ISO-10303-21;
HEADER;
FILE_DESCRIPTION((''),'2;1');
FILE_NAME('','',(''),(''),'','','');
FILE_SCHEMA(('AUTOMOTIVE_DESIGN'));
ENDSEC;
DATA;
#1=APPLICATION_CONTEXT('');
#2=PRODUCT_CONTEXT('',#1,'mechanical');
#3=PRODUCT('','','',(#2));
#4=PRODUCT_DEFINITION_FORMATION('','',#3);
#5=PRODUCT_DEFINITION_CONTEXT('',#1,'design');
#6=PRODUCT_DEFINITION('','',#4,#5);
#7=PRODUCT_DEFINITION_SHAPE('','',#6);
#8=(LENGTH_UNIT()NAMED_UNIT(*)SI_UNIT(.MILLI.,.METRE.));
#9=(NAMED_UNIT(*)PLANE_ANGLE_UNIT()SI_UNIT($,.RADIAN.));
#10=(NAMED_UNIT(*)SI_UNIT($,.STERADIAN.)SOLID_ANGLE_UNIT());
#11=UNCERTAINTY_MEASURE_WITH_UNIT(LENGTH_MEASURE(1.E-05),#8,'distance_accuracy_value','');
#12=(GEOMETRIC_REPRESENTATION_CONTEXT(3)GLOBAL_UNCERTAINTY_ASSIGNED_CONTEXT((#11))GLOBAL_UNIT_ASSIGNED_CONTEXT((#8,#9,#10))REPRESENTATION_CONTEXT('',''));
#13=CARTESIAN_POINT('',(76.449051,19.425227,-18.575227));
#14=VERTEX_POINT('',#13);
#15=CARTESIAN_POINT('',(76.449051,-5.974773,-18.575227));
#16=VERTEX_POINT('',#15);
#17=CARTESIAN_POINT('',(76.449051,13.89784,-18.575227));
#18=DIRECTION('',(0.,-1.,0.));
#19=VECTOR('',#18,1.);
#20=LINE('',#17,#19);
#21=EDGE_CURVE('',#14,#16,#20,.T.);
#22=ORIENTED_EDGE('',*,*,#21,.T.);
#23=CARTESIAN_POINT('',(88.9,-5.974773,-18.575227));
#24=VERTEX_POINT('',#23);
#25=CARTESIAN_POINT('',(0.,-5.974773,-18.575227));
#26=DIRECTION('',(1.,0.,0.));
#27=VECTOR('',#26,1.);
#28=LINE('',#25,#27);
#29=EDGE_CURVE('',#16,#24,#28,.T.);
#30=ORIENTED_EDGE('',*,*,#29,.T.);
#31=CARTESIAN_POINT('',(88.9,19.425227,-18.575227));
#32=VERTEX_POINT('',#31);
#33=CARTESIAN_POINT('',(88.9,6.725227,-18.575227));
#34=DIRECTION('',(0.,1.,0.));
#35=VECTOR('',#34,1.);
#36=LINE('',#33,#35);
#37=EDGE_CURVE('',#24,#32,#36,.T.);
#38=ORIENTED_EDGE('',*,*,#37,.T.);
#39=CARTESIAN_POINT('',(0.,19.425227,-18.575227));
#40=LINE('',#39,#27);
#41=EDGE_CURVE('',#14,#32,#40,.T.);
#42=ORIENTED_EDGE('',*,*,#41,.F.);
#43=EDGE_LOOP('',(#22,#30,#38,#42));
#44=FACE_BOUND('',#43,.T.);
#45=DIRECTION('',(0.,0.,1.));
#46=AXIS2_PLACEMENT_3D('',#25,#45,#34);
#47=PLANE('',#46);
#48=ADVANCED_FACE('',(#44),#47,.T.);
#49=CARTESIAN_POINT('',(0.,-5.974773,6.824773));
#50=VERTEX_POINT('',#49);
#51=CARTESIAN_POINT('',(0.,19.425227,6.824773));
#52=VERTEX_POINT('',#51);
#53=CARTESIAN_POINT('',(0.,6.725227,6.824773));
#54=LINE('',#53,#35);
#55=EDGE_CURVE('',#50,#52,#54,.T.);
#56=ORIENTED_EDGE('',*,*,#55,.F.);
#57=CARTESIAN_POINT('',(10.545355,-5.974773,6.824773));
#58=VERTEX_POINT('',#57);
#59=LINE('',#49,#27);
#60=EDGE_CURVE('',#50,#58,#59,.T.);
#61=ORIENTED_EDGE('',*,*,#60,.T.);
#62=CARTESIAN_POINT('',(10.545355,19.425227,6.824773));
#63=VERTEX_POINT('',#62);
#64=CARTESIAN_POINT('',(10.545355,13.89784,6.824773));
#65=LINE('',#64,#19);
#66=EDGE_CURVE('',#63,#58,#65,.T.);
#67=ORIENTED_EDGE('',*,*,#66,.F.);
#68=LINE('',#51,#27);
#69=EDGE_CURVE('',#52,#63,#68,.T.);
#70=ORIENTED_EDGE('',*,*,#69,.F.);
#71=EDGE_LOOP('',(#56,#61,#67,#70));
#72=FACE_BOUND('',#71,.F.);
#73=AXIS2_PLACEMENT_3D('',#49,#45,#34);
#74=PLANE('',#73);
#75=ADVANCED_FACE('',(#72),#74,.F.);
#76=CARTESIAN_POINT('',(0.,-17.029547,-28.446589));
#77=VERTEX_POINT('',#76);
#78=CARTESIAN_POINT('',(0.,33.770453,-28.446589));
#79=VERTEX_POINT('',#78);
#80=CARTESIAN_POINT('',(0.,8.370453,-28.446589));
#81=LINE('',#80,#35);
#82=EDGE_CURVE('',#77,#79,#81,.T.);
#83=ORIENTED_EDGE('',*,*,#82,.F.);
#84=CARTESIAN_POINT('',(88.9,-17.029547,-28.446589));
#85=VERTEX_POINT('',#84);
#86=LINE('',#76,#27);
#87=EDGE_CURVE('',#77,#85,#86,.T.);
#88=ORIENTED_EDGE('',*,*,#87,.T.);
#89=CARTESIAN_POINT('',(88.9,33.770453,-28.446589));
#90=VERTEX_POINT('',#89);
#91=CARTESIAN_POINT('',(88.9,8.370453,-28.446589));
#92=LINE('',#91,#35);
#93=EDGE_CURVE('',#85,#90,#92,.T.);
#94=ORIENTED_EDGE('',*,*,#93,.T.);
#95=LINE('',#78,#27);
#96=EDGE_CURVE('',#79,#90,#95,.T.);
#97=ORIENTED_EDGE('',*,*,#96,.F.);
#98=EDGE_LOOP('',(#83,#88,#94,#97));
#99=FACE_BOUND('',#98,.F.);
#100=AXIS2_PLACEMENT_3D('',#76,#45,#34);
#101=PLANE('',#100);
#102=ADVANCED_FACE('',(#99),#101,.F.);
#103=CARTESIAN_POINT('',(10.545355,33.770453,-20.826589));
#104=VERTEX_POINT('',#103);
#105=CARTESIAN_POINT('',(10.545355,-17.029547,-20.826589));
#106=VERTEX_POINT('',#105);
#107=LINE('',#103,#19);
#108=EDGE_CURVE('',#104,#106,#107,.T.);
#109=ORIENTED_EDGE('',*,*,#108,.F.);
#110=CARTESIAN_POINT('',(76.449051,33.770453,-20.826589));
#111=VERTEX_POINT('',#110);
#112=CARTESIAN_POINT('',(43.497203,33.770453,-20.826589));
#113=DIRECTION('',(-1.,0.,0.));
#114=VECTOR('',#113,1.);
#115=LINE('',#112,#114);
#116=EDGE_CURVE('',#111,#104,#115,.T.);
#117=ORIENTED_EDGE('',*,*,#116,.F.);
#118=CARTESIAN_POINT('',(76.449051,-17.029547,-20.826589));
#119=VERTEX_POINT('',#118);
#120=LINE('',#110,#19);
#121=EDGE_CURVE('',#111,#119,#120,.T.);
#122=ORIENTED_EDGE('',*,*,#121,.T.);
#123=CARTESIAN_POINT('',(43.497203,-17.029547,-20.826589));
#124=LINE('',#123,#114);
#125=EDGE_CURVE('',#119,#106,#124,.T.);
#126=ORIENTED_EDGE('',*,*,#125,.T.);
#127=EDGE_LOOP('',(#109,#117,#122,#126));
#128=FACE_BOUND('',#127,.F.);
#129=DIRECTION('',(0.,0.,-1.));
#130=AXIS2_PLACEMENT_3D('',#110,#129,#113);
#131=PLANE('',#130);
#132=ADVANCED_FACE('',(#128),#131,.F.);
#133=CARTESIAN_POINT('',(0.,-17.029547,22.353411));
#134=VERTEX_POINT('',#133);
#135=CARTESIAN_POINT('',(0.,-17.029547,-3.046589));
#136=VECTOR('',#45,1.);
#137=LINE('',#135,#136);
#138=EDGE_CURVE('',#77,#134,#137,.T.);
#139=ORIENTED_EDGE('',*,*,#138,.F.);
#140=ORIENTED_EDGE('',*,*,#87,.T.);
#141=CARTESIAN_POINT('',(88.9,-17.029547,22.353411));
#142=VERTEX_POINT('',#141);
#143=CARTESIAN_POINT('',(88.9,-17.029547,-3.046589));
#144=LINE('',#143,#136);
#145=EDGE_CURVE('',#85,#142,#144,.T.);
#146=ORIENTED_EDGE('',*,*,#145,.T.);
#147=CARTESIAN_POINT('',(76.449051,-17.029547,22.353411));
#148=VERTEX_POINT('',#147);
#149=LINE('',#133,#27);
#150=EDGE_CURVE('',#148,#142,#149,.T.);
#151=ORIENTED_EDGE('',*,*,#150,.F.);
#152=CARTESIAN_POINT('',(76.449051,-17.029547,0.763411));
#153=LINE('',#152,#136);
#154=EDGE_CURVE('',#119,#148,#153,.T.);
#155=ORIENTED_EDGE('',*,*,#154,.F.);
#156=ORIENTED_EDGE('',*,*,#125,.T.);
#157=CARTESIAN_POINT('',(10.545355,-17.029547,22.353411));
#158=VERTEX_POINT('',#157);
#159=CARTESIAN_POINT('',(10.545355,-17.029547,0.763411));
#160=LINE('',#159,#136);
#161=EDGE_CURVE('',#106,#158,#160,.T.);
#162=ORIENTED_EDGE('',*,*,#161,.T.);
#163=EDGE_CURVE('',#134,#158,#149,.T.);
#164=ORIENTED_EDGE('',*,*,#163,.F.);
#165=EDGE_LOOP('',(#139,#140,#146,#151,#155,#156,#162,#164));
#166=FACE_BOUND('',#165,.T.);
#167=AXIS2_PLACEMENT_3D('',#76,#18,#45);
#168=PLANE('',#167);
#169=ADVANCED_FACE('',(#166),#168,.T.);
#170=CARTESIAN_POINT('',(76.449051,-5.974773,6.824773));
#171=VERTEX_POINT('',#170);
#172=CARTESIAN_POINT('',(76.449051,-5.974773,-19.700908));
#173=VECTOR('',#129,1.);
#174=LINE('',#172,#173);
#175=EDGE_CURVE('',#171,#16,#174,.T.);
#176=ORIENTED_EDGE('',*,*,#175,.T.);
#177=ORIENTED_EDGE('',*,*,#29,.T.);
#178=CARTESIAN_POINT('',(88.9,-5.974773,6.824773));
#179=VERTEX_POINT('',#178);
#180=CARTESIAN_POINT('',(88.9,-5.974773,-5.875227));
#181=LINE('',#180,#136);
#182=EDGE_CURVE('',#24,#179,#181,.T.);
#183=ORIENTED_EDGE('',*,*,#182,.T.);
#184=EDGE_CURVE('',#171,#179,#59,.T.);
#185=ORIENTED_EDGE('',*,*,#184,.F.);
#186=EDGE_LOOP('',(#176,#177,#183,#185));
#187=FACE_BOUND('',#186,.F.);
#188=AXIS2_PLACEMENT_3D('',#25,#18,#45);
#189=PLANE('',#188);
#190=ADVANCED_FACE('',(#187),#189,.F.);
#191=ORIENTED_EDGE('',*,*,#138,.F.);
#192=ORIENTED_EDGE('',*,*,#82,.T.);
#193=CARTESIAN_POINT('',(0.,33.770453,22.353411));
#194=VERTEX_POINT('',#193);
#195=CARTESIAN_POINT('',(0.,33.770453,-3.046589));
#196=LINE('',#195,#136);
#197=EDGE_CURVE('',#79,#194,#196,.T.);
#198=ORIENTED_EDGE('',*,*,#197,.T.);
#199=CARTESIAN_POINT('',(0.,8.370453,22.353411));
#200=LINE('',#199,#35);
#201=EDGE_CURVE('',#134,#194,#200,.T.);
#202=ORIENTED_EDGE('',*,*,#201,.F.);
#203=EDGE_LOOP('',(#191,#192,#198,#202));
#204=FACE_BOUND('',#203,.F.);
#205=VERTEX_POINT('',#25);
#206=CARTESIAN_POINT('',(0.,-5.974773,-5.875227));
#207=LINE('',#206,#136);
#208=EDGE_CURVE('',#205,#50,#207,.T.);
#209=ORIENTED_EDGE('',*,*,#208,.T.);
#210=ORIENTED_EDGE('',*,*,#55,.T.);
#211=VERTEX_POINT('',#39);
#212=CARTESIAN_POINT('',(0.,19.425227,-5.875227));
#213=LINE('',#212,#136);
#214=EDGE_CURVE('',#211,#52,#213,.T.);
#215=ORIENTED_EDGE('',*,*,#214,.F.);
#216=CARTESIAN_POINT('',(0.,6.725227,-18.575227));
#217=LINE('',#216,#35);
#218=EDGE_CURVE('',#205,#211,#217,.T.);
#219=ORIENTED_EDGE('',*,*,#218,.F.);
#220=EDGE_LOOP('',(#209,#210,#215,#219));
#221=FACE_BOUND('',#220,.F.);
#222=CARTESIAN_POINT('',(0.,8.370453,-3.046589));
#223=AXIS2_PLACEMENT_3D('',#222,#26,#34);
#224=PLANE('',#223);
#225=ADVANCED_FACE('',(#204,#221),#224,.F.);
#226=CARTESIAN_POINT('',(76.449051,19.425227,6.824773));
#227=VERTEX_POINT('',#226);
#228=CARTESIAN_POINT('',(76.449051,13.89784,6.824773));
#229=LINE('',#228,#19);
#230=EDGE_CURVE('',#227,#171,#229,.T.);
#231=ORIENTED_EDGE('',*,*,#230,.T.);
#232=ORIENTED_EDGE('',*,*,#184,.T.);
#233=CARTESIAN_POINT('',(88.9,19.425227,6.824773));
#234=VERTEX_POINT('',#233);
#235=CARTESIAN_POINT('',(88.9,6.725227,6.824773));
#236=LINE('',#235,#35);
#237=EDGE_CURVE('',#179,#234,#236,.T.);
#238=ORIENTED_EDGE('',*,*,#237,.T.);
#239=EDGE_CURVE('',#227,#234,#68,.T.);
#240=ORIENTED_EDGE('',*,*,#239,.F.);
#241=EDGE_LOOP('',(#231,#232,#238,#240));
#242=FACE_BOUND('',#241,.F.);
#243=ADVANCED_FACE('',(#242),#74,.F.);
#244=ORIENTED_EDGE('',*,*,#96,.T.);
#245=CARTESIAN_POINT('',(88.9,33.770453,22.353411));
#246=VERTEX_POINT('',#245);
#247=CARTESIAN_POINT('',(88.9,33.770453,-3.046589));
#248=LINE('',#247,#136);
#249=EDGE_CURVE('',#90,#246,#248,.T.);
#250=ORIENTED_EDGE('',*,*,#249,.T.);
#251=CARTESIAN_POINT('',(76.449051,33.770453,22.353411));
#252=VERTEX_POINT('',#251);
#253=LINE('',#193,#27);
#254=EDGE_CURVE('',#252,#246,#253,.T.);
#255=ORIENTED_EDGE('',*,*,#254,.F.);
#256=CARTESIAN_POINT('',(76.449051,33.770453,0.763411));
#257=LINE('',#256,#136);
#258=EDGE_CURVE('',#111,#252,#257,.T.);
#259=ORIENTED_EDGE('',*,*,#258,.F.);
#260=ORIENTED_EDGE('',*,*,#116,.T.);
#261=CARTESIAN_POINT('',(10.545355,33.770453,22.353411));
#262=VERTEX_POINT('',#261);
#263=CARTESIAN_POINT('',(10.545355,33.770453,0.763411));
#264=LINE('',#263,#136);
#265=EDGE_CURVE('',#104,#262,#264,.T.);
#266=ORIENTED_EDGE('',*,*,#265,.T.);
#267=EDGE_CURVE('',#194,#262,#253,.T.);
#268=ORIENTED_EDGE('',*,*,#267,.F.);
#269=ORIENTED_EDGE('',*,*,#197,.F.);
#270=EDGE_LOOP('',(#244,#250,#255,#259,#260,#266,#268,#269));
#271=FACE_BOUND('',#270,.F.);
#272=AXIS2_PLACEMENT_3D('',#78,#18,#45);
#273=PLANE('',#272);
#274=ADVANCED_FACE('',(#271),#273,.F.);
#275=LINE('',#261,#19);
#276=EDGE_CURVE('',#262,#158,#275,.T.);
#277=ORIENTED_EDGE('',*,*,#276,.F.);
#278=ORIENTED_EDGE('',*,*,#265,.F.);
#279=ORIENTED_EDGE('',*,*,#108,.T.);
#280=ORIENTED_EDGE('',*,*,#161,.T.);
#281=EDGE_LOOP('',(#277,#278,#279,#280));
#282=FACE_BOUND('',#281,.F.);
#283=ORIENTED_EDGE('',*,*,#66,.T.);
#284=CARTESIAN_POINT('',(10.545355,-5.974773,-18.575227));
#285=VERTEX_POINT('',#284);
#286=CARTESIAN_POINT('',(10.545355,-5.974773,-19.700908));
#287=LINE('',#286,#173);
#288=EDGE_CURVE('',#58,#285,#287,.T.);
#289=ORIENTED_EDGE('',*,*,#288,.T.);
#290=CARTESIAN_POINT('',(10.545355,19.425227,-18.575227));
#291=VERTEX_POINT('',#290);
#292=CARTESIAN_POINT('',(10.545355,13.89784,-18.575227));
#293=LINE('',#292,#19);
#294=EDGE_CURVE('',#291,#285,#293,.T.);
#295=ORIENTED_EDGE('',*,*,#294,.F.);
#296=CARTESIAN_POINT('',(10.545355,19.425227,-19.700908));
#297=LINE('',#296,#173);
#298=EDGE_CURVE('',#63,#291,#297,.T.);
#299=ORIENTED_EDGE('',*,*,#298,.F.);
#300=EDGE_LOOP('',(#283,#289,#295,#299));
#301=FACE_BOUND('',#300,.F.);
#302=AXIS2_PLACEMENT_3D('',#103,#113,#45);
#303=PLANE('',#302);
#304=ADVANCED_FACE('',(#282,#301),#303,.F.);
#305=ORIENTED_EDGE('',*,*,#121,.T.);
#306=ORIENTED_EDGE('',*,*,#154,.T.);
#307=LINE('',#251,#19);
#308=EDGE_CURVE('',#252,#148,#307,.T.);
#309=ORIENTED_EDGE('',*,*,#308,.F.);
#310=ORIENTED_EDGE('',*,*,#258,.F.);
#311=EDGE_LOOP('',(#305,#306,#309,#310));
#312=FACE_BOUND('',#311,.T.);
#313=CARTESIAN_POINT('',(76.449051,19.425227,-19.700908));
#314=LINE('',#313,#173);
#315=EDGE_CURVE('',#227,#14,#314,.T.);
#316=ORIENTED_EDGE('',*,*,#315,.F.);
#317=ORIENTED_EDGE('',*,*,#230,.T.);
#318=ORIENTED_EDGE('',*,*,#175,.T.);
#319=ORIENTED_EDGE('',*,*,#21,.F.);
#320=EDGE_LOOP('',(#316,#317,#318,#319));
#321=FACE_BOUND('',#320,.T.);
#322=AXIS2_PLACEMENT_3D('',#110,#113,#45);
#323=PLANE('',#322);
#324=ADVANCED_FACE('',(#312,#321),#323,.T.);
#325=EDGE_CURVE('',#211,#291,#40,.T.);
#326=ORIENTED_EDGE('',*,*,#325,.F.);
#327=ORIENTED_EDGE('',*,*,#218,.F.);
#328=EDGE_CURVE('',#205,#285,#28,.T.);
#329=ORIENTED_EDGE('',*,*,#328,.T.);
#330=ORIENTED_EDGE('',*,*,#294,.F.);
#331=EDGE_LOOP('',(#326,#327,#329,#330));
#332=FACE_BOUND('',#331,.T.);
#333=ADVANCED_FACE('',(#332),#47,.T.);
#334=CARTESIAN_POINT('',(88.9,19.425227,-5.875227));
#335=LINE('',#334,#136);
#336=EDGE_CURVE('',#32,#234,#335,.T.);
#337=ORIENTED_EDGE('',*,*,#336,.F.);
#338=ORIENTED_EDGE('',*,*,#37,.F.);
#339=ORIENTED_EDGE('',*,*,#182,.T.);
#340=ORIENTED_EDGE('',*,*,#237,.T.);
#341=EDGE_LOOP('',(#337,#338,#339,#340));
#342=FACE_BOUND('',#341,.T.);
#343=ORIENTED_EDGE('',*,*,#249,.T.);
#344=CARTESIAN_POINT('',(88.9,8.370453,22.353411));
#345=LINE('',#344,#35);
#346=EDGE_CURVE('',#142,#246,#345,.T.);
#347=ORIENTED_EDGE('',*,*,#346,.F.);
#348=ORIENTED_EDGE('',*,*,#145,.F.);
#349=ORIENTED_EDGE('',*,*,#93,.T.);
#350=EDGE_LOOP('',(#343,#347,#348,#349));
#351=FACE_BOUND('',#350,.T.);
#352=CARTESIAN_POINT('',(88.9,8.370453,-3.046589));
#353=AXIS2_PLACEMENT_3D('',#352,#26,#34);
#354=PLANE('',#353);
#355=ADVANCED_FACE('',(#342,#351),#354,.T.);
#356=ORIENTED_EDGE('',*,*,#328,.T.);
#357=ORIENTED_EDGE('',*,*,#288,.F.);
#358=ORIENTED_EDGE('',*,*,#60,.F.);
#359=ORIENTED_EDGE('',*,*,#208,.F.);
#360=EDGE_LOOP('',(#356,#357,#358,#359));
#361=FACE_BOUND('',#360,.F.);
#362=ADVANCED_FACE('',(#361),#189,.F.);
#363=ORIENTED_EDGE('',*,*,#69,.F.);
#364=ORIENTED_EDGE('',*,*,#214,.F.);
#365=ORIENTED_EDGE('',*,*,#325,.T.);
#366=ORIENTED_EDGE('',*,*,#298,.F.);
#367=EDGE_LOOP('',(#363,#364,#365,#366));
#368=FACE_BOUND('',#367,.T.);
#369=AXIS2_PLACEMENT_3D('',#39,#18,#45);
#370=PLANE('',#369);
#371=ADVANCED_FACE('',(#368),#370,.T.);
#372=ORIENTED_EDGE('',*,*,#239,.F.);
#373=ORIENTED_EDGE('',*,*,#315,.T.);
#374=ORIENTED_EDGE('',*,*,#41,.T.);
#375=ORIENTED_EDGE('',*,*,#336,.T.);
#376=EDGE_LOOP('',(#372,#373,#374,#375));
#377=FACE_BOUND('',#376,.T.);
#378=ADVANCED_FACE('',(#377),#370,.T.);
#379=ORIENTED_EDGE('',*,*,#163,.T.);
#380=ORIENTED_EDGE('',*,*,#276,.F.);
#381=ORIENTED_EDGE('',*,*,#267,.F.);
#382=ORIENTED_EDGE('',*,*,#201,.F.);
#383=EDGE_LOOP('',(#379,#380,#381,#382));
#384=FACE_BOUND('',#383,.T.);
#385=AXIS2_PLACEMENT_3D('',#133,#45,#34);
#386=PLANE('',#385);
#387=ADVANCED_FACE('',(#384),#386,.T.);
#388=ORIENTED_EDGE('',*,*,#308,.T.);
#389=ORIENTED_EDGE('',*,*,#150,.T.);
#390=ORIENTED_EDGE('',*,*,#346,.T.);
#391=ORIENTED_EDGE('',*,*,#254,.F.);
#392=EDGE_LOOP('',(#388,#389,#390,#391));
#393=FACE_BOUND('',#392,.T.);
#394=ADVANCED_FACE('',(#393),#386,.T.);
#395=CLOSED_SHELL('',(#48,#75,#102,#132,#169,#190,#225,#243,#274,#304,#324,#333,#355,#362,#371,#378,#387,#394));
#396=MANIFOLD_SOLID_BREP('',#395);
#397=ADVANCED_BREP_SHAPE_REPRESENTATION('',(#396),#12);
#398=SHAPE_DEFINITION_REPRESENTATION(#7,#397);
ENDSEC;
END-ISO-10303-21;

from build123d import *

# Parameters (mm, degrees)
F0_W     = 50.8
F0_H     = 50.8
F0_W_2   = 25.4
F0_H_2   = 25.4
F1_DEPTH = 88.9
F2_W     = 65.903696
F2_H     = 43.18
F3_DEPTH = 50.8


with BuildPart() as f1:
    # F0 (on Right) → F1 (new body)
    with BuildSketch(Plane.YZ):
        with Locations((8.370453, -3.046589)):
            Rectangle(F0_W, F0_H)
        with Locations((6.725227, -5.875227)):
            Rectangle(F0_W_2, F0_H_2, mode=Mode.SUBTRACT)
    extrude(amount=F1_DEPTH)

    # F2 (on face) → F3 (cut)
    with BuildSketch(Plane(origin=(0, 33.770453, 0), x_dir=(-1, 0, 0), z_dir=(0, 1, 0))):
        with Locations((-43.497203, 0.763411)):
            Rectangle(F2_W, F2_H)
    extrude(amount=-F3_DEPTH, mode=Mode.SUBTRACT)


solid = f1.part
